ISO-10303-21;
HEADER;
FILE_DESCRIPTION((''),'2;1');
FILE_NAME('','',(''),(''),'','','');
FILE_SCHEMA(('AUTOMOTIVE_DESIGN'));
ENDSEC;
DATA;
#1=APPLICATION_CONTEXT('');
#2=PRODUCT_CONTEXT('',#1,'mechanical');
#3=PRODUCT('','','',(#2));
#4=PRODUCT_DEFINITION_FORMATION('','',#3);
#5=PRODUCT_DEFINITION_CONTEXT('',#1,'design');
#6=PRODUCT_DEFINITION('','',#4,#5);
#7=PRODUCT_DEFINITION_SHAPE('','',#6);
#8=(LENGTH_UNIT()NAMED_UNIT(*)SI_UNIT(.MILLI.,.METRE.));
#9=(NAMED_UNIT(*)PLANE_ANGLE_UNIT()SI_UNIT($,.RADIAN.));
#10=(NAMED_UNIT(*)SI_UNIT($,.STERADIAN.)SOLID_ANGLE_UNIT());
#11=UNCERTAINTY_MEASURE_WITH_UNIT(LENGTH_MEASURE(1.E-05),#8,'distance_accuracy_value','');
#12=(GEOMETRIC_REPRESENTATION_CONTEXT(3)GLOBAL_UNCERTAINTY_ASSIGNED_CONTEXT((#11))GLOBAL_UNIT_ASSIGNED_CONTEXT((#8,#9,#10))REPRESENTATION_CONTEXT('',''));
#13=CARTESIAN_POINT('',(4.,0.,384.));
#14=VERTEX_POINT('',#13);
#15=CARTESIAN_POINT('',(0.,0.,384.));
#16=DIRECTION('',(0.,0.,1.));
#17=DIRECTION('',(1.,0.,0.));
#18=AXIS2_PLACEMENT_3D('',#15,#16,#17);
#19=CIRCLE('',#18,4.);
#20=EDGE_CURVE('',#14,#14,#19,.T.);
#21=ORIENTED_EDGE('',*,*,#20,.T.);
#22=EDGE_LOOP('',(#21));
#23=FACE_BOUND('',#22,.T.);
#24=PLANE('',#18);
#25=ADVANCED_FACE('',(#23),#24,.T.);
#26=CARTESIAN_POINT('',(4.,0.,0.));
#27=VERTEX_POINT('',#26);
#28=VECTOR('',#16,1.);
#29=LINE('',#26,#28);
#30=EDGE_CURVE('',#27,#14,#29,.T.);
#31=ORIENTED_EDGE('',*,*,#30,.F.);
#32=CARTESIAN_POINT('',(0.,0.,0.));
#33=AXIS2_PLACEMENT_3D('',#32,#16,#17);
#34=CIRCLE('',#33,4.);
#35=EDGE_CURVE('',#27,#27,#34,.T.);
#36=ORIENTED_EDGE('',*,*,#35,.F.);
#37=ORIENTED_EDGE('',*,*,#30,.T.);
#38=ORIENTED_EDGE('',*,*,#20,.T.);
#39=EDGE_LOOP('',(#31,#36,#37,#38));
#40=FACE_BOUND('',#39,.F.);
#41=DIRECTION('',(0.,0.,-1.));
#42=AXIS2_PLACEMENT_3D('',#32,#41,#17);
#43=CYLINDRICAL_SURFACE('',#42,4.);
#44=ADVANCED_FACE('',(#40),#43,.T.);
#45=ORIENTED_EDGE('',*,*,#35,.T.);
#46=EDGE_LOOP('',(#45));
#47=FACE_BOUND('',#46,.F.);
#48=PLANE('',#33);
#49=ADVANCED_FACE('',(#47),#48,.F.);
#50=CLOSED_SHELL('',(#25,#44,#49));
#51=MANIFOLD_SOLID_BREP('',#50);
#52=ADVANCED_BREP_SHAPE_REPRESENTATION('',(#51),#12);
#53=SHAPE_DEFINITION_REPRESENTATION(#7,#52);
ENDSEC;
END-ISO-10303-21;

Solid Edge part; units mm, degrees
sketch "Sketch1" plane through (0, 0, 0) normal (0, 0, 1) x (1, 0, 0)
  circle A0 centre (0, 0) radius 4
extrude "Protrusion1" add sketch "Sketch1" along normal blind 384
properties material "Stainless steel"
